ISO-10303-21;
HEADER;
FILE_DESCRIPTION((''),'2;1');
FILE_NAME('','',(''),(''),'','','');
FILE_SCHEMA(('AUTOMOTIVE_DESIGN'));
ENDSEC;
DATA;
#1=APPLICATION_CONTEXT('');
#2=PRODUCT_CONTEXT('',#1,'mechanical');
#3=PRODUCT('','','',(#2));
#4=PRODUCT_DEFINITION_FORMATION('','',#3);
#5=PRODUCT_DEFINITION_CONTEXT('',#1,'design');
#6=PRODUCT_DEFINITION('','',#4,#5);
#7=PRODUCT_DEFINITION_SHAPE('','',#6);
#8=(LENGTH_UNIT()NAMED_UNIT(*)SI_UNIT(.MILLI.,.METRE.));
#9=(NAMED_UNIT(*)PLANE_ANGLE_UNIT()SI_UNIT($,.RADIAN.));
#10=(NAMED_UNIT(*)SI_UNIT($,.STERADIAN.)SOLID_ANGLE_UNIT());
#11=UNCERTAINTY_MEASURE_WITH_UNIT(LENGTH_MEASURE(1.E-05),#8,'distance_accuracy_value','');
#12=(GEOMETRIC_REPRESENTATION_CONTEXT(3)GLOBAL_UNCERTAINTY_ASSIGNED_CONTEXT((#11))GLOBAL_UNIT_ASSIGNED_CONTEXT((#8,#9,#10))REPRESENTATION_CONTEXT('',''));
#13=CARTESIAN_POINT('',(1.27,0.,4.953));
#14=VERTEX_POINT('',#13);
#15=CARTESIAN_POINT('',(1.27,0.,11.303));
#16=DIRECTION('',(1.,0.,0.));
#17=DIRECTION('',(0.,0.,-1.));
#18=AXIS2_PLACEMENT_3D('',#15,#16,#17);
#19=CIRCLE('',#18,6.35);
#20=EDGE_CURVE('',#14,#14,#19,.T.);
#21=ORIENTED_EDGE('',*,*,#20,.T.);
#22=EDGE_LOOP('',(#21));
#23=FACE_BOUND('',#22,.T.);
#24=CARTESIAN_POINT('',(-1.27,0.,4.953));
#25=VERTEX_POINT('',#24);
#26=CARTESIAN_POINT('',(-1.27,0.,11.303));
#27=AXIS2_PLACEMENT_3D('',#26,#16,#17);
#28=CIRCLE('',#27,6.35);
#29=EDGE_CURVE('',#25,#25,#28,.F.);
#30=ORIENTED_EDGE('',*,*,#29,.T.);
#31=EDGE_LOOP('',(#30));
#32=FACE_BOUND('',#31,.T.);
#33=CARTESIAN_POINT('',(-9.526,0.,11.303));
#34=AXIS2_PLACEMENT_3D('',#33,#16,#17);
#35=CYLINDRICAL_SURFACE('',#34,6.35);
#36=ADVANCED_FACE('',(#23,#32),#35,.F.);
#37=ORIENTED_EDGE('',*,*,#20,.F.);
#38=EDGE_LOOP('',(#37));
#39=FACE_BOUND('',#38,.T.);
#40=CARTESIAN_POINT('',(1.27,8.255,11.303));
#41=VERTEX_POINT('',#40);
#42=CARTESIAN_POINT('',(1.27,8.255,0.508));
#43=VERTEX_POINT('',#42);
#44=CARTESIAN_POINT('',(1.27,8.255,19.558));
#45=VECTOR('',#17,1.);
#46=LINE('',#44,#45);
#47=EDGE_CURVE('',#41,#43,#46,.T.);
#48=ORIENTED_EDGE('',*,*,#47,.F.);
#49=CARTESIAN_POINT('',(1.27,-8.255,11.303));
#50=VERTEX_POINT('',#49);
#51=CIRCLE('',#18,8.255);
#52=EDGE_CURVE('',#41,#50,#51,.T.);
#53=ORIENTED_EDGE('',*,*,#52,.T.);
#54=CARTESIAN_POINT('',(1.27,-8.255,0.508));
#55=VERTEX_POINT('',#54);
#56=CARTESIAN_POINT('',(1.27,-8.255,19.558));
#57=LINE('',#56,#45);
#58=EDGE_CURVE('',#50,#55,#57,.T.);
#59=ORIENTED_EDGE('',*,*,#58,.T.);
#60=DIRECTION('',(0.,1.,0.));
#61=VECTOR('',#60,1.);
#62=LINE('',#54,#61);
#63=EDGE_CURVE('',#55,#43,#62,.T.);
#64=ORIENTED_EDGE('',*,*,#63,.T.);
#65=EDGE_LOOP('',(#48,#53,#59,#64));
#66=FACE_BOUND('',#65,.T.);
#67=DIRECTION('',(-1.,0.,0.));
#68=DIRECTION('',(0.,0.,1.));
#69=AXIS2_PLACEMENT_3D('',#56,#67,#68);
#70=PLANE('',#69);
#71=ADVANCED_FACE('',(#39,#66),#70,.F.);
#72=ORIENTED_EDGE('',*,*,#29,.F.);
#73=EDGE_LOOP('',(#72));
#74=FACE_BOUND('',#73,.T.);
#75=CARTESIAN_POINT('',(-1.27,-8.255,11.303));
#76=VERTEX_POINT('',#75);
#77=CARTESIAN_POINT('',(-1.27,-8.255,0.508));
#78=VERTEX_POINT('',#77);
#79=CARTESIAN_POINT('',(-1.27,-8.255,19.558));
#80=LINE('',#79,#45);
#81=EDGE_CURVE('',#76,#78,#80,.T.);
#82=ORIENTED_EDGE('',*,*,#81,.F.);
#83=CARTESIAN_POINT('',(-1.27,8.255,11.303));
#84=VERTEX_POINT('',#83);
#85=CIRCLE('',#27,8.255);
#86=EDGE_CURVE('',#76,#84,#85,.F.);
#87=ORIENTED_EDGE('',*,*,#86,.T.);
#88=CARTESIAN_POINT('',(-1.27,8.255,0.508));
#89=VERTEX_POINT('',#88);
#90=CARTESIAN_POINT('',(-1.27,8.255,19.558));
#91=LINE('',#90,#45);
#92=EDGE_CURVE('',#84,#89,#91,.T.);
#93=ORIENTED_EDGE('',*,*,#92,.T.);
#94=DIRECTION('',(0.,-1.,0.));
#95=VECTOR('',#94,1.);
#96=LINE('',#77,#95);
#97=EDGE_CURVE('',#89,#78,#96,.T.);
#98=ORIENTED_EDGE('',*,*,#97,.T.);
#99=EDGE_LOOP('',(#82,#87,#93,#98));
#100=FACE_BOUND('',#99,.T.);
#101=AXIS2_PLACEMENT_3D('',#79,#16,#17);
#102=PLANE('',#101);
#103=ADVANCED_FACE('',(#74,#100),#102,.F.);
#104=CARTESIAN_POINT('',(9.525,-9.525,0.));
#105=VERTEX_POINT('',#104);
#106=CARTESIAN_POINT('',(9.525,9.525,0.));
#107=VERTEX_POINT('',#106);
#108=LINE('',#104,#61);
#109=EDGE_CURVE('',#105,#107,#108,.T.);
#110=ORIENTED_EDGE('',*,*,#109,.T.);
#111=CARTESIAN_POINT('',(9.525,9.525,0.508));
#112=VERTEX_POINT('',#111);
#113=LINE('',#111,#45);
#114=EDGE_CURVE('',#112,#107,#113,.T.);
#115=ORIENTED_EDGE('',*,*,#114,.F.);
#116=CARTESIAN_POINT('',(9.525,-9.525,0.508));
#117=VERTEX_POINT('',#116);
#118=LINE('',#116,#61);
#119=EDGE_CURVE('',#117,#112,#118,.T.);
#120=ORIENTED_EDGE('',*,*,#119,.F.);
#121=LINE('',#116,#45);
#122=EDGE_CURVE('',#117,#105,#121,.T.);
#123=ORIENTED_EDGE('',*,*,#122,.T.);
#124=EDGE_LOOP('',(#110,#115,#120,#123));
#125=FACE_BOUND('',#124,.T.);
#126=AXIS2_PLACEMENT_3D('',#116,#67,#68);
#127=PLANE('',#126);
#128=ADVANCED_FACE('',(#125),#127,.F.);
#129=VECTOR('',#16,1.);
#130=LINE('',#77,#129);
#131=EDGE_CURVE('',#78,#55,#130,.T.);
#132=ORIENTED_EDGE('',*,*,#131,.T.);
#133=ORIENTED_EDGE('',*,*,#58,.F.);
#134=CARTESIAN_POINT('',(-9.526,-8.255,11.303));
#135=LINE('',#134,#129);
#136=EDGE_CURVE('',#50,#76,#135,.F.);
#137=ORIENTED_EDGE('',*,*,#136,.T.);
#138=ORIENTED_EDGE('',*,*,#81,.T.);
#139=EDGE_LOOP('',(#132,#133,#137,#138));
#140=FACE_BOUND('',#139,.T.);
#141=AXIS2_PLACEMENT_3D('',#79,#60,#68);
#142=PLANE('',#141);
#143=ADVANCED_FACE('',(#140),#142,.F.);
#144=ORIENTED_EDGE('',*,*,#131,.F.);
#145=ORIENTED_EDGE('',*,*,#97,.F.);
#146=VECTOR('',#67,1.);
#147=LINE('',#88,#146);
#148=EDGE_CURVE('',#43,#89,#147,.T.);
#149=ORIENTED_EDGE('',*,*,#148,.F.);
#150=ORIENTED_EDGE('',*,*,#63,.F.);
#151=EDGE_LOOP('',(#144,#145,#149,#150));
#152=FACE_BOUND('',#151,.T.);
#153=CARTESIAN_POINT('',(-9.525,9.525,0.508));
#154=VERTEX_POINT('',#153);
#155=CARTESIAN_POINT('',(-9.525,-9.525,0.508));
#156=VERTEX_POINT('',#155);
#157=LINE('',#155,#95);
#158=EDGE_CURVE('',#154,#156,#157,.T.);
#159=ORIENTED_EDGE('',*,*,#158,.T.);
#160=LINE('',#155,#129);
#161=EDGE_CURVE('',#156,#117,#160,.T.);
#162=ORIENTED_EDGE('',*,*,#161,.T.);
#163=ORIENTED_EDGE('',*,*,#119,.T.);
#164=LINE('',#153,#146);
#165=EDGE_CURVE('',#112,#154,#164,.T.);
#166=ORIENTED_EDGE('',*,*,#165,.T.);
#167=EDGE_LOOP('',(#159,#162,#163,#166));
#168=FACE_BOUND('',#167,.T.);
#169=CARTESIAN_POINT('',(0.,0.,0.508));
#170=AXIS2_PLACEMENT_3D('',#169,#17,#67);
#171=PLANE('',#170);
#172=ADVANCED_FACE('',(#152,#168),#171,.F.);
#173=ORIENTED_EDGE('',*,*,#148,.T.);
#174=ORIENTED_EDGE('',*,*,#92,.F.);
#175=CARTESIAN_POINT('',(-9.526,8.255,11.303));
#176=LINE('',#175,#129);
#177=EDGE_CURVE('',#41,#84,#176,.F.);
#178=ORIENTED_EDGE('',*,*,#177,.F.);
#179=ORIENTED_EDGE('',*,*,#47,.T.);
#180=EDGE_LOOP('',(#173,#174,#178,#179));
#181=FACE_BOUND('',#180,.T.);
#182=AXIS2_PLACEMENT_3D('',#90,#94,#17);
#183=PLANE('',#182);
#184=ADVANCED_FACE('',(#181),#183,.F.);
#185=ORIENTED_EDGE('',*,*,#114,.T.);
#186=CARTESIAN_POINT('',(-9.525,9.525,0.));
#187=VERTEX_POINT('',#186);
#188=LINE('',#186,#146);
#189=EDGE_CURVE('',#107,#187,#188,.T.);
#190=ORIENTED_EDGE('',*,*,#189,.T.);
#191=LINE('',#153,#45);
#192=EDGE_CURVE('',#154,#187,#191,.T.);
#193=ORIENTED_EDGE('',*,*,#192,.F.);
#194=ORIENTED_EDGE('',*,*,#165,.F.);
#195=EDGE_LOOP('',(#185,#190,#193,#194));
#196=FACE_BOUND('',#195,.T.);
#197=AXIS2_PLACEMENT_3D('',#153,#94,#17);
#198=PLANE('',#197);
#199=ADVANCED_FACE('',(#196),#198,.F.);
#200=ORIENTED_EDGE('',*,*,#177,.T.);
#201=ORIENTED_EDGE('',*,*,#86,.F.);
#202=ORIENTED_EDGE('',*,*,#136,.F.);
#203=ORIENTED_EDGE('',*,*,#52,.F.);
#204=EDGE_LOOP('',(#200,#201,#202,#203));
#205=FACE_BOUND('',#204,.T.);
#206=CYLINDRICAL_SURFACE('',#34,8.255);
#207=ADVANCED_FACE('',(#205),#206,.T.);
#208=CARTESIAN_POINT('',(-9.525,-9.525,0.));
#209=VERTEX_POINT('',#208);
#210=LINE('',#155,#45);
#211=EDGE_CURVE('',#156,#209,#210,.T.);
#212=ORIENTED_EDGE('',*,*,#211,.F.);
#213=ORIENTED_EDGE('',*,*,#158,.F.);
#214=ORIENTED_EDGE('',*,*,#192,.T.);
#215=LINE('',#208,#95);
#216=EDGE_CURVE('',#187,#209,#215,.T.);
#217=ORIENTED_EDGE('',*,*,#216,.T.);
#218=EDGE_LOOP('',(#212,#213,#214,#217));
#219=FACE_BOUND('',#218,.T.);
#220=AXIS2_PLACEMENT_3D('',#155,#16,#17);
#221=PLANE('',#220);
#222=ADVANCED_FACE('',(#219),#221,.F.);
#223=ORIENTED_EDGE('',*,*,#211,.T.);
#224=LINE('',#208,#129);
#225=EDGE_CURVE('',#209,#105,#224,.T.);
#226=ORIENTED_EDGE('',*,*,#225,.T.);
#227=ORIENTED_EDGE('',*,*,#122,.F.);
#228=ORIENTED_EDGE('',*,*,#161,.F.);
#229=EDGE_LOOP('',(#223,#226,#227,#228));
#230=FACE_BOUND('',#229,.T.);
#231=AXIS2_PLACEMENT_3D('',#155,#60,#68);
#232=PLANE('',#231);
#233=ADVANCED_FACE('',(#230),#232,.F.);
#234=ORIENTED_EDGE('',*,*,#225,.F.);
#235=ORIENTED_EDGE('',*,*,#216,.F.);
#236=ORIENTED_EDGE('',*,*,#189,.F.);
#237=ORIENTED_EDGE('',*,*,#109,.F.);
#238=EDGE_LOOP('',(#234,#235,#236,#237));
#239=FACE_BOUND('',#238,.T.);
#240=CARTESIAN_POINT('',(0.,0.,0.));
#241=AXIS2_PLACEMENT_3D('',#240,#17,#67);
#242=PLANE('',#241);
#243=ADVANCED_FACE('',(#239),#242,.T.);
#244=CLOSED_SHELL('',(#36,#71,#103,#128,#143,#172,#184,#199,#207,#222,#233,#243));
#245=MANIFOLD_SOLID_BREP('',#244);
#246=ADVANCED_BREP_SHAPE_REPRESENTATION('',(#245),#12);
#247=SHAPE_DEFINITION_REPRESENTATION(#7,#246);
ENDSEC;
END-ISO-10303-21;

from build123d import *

# Parameters (mm, degrees)
SKETCH2_W           = 19.05
SKETCH2_H           = 19.05
BOSS_EXTRUDE1_DEPTH = 0.508
SKETCH3_W           = 2.54
SKETCH3_H           = 16.51
BOSS_EXTRUDE2_DEPTH = 19.05
CUT_EXTRUDE1_REACH  = 26.285
SKETCH4_R           = 6.35
CUT_EXTRUDE2_START  = -2.54
CUT_EXTRUDE2_DEPTH  = 2.54


with BuildPart() as part:
    # Sketch2 → Boss-Extrude1 (new body)
    with BuildSketch(Plane.XY):
        Rectangle(SKETCH2_W, SKETCH2_H)
    extrude(amount=BOSS_EXTRUDE1_DEPTH)

    # Sketch3 → Boss-Extrude2 (add)
    with BuildSketch(Plane.XY.offset(0.508)):
        Rectangle(SKETCH3_W, SKETCH3_H)
    extrude(amount=BOSS_EXTRUDE2_DEPTH)

    # Sketch4 → Cut-Extrude1 (cut, up to next)
    with BuildSketch(Plane(origin=(1.27, 0, 0), x_dir=(0, 0, -1), z_dir=(1, 0, 0)), mode=Mode.PRIVATE) as cut_extrude1_sk1:
        with Locations((-11.303, 0)):
            Circle(SKETCH4_R)
    cut_extrude1_tool1 = extrude(cut_extrude1_sk1.sketch, amount=-CUT_EXTRUDE1_REACH, mode=Mode.PRIVATE) & part.part
    add(cut_extrude1_tool1.solids().sort_by_distance((1.27, 0, 11.303))[0], mode=Mode.SUBTRACT)

    # Sketch9 → Cut-Extrude2 (cut)
    with BuildSketch(Plane(origin=(1.27, 0, 0), x_dir=(0, 0, -1), z_dir=(1, 0, 0)).offset(CUT_EXTRUDE2_START)):
        with BuildLine():
            ThreePointArc((-11.303, 12.7), (-24.003, 0), (-11.303, -12.7))
            ThreePointArc((-11.303, -12.7), (-9.0805, -10.4775), (-11.303, -8.255))
            ThreePointArc((-11.303, -8.255), (-19.558, 0), (-11.303, 8.255))
            ThreePointArc((-11.303, 8.255), (-9.0805, 10.4775), (-11.303, 12.7))
        make_face()
    extrude(amount=CUT_EXTRUDE2_DEPTH, mode=Mode.SUBTRACT)


solid = part.part
